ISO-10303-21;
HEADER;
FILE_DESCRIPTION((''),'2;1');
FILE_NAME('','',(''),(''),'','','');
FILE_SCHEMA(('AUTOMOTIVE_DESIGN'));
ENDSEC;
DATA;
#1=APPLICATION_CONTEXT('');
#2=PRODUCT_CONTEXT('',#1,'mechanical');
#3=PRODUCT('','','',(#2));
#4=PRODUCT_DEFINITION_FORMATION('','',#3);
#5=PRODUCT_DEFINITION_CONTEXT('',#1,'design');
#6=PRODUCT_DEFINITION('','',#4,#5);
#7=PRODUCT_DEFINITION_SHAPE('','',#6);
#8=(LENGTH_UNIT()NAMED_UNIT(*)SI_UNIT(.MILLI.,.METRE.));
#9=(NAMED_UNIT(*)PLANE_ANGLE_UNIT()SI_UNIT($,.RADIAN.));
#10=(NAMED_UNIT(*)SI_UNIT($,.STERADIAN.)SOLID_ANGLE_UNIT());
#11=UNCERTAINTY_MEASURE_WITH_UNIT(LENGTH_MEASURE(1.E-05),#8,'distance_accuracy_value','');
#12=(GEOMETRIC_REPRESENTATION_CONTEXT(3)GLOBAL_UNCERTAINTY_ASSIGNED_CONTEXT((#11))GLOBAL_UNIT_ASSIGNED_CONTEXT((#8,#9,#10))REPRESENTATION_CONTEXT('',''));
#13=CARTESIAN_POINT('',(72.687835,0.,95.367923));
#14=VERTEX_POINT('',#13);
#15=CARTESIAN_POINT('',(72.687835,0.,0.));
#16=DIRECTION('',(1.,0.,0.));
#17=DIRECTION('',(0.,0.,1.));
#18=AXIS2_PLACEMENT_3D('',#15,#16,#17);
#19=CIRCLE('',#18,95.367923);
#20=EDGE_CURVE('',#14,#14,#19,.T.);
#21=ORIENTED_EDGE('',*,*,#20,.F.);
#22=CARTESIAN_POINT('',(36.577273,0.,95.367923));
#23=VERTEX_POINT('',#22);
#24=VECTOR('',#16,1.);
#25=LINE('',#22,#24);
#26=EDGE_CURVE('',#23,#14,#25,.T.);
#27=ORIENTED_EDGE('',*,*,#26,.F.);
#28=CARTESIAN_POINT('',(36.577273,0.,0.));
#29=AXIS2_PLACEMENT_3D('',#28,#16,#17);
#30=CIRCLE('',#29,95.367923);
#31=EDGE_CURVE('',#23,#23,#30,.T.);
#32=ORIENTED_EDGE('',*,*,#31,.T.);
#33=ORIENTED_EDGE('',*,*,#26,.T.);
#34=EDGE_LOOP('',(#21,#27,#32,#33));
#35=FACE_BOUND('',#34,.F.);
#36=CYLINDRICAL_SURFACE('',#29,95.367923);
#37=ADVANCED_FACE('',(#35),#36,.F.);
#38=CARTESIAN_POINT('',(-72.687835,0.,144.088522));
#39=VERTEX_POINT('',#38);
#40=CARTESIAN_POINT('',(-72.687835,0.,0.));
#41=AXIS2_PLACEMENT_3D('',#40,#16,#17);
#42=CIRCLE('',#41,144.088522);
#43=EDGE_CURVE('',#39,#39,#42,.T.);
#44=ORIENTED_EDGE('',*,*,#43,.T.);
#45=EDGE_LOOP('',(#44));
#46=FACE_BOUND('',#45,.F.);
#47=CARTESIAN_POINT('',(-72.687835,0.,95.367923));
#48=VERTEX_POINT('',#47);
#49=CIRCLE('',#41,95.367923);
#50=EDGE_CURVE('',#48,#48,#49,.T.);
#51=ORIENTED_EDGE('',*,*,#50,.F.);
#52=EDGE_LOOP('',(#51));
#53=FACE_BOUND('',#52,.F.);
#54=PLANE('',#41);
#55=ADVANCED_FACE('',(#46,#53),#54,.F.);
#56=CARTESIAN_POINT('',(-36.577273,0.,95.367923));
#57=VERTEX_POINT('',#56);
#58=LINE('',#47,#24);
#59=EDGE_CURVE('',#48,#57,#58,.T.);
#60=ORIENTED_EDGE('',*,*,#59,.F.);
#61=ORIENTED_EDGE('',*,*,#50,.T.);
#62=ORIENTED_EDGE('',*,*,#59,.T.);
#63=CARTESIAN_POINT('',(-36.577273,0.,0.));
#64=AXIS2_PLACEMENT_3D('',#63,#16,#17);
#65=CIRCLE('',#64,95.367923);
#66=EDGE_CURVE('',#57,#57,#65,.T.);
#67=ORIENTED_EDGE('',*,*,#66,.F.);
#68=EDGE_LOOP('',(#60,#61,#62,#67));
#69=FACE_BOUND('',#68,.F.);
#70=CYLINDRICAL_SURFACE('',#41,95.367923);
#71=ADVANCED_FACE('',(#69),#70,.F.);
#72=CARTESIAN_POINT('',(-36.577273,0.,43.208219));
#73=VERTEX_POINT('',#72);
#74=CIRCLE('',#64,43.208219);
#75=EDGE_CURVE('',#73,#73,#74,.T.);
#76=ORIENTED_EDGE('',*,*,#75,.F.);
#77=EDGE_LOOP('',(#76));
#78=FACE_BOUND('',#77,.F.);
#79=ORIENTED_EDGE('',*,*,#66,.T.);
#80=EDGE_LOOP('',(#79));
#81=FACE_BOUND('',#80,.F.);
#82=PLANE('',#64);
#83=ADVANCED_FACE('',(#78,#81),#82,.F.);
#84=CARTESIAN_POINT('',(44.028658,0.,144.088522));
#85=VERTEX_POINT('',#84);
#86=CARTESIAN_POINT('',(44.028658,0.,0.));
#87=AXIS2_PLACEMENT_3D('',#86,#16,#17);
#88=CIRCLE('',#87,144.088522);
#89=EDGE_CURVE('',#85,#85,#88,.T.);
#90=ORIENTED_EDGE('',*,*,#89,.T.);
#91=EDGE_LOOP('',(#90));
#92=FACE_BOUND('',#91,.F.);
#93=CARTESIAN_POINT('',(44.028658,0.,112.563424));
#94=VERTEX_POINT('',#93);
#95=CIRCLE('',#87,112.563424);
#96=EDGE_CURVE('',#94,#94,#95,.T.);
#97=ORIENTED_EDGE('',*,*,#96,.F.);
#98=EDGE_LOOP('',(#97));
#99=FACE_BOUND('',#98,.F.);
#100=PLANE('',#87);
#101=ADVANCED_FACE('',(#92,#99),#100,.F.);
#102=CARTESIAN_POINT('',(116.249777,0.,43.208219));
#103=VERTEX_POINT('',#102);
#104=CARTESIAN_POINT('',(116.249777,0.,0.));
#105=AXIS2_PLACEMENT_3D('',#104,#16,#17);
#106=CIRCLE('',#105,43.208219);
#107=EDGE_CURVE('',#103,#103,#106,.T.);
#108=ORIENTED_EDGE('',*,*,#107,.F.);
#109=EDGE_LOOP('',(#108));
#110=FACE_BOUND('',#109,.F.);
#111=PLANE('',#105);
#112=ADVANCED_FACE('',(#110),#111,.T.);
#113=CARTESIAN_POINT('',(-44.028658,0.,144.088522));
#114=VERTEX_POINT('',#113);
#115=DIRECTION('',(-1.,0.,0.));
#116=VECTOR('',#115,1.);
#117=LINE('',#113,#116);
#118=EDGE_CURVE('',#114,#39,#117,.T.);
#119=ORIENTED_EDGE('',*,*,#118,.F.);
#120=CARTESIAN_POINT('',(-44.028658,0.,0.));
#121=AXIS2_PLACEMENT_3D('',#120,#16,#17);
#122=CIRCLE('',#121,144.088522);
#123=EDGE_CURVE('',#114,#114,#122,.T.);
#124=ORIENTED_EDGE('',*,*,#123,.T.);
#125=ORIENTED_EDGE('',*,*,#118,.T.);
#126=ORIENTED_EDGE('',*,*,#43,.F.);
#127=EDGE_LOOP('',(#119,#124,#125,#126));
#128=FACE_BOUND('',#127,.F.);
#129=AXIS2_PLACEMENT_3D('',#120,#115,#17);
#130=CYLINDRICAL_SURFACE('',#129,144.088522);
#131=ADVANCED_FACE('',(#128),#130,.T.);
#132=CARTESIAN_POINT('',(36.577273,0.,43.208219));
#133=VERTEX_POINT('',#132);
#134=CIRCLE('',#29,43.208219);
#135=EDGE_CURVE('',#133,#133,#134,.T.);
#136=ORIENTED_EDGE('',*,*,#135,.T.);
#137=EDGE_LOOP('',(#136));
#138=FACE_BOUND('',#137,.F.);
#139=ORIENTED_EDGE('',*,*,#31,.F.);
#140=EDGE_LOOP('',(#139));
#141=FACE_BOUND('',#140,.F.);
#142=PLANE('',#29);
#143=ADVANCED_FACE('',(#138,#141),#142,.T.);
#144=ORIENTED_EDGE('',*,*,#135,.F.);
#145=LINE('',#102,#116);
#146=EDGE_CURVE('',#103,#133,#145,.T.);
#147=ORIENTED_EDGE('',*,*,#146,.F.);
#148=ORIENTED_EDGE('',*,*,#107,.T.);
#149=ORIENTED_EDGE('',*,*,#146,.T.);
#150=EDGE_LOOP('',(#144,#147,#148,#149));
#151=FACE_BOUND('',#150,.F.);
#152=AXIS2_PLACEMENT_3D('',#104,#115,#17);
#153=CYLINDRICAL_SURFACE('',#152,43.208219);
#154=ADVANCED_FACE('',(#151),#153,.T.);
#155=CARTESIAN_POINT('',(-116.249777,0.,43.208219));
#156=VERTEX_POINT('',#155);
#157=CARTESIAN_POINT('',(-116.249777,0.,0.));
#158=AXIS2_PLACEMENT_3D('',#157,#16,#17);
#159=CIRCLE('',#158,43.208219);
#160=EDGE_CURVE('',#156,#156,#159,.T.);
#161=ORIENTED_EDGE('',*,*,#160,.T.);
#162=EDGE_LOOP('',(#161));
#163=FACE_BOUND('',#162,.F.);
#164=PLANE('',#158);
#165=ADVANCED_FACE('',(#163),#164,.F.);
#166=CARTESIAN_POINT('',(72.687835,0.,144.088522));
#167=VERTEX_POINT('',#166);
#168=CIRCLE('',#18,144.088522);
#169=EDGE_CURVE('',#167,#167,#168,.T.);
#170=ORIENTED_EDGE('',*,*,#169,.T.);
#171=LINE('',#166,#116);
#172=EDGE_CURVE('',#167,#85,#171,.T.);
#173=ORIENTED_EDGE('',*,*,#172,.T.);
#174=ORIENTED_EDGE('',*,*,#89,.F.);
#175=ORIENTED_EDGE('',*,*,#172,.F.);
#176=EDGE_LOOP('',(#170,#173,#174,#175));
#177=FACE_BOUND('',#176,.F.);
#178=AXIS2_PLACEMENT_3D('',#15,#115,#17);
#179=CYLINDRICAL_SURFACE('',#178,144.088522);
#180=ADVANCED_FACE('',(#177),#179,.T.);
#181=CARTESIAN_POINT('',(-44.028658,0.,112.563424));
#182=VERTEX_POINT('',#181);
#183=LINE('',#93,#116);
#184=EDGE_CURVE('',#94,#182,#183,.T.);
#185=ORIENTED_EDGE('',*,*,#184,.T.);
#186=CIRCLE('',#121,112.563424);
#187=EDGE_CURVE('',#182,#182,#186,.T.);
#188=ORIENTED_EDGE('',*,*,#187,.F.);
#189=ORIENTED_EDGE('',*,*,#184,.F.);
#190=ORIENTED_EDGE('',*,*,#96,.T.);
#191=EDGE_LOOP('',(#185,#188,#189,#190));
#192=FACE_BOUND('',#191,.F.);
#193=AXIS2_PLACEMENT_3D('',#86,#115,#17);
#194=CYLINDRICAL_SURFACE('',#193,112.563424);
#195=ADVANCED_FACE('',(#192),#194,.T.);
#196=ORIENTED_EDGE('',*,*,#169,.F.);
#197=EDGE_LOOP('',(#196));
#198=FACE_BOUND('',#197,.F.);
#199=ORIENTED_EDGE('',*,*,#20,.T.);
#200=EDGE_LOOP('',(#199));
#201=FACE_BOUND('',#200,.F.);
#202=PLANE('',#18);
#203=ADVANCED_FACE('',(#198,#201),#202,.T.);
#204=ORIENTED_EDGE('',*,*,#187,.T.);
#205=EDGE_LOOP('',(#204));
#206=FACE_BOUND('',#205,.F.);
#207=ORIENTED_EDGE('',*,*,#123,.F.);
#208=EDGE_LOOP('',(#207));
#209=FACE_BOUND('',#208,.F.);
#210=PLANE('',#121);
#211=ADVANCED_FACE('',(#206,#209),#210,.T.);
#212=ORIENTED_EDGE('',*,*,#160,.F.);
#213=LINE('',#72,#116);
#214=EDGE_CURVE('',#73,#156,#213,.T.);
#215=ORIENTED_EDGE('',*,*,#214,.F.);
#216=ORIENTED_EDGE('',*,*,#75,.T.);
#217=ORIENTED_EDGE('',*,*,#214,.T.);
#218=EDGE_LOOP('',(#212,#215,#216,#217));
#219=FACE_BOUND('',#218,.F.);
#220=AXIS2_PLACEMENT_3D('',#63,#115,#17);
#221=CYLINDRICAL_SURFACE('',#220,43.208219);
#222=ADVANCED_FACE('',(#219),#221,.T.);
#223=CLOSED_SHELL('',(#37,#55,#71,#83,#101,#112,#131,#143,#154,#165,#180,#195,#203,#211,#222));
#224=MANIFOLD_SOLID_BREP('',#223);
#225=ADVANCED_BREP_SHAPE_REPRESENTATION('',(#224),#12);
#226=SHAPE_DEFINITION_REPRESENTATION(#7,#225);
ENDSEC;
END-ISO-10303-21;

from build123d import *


with BuildPart() as f1:
    # F0 (on Front) → F1 (revolve)
    with BuildSketch(Plane.XZ):
        Polygon((-44.028658, 144.088522), (-72.687835, 144.088522), (-72.687835, 95.367923), (-36.577273, 95.367923), (-36.577273, 43.208219), (-116.249777, 43.208219), (-116.249777, 0), (0, 0), (116.249777, 0), (116.249777, 43.208219), (36.577273, 43.208219), (36.577273, 95.367923), (72.687835, 95.367923), (72.687835, 144.088522), (44.028658, 144.088522), (44.028658, 112.563424), (0, 112.563424), (-44.028658, 112.563424), align=None)
    revolve(axis=Axis((0.677384, 0, 0), (1, 0, 0)))


solid = f1.part
